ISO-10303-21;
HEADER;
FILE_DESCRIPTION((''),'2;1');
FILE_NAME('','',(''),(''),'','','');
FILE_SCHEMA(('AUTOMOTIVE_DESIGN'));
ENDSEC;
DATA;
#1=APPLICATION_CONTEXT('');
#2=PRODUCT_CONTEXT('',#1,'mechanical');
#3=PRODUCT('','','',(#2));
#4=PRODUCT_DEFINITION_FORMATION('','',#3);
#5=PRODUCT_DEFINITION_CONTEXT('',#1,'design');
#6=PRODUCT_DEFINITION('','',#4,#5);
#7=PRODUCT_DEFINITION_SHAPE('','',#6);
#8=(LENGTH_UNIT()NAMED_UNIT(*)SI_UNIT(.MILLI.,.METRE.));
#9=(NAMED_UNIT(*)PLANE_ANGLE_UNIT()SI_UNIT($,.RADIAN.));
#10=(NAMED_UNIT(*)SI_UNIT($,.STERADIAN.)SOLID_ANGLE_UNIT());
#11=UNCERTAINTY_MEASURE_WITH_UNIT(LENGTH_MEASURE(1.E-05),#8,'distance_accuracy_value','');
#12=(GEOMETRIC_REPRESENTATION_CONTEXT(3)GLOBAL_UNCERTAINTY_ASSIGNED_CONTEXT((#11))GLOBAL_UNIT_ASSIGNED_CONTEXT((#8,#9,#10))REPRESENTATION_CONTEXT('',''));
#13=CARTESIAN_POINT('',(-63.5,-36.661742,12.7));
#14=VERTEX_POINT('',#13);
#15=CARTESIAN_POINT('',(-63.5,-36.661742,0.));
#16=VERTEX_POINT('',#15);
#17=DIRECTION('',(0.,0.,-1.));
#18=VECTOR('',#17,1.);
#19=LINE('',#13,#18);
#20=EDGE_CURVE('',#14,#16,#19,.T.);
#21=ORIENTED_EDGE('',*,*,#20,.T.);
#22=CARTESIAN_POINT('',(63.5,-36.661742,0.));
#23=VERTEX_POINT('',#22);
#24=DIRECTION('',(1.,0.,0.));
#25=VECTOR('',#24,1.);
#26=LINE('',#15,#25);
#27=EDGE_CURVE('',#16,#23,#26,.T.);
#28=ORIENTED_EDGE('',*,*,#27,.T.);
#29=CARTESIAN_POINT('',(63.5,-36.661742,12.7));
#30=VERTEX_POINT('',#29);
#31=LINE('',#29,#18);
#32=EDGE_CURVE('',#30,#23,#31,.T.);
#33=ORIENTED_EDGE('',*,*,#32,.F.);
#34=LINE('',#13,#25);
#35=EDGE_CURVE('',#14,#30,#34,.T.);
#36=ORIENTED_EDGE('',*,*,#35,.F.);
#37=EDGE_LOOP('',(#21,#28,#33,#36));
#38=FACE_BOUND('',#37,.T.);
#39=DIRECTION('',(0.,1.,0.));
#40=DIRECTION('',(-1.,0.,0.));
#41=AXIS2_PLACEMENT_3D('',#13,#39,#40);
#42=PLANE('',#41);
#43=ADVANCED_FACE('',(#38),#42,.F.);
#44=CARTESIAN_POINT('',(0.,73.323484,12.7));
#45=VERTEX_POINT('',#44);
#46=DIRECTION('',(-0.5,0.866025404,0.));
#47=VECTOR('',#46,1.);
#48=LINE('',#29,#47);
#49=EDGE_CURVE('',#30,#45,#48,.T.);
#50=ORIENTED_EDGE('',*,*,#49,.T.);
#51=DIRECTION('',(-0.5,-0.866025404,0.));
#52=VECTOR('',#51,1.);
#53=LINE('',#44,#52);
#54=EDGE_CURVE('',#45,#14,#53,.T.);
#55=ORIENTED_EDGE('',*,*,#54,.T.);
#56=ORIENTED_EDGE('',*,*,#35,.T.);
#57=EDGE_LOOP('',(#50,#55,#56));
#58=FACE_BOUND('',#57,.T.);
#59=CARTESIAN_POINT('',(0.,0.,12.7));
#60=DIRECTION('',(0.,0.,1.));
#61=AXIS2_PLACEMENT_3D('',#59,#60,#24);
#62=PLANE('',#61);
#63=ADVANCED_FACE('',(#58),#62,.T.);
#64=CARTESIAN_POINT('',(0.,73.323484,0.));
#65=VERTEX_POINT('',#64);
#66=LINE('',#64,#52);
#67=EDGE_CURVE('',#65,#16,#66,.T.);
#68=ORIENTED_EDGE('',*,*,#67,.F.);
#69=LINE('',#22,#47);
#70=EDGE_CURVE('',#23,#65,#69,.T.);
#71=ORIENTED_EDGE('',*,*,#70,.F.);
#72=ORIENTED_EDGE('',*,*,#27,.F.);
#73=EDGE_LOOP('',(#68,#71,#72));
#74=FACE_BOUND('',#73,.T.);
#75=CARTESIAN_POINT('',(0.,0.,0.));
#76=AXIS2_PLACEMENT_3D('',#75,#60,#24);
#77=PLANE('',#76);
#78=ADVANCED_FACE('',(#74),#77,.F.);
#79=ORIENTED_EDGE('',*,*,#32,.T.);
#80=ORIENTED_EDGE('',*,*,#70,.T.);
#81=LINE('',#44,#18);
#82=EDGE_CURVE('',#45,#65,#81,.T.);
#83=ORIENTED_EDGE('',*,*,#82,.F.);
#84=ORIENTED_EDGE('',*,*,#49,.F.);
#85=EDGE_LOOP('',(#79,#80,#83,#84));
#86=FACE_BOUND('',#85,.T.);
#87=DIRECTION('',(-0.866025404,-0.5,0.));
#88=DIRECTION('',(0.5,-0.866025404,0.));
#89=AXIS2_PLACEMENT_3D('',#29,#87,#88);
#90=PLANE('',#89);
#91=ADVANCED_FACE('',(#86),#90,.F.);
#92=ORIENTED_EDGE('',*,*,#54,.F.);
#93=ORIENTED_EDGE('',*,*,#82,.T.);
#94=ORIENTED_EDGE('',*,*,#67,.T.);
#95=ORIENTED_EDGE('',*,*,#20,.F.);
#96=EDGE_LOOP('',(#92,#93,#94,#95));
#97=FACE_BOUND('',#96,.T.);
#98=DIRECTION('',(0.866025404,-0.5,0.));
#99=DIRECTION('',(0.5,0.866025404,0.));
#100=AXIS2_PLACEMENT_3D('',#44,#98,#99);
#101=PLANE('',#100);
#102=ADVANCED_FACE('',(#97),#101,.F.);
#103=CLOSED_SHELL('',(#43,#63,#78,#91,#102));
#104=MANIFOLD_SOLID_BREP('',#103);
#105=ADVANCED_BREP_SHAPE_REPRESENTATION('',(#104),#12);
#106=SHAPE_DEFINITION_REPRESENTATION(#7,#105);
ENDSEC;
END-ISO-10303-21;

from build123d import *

# Parameters (mm, degrees)
BOSS_EXTRUDE1_DEPTH = 12.7


with BuildPart() as part:
    # Sketch1 → Boss-Extrude1 (new body)
    with BuildSketch(Plane.XY):
        Polygon((0, 73.323484187), (-63.5, -36.661742094), (63.5, -36.661742094), align=None)
    extrude(amount=BOSS_EXTRUDE1_DEPTH)


solid = part.part
